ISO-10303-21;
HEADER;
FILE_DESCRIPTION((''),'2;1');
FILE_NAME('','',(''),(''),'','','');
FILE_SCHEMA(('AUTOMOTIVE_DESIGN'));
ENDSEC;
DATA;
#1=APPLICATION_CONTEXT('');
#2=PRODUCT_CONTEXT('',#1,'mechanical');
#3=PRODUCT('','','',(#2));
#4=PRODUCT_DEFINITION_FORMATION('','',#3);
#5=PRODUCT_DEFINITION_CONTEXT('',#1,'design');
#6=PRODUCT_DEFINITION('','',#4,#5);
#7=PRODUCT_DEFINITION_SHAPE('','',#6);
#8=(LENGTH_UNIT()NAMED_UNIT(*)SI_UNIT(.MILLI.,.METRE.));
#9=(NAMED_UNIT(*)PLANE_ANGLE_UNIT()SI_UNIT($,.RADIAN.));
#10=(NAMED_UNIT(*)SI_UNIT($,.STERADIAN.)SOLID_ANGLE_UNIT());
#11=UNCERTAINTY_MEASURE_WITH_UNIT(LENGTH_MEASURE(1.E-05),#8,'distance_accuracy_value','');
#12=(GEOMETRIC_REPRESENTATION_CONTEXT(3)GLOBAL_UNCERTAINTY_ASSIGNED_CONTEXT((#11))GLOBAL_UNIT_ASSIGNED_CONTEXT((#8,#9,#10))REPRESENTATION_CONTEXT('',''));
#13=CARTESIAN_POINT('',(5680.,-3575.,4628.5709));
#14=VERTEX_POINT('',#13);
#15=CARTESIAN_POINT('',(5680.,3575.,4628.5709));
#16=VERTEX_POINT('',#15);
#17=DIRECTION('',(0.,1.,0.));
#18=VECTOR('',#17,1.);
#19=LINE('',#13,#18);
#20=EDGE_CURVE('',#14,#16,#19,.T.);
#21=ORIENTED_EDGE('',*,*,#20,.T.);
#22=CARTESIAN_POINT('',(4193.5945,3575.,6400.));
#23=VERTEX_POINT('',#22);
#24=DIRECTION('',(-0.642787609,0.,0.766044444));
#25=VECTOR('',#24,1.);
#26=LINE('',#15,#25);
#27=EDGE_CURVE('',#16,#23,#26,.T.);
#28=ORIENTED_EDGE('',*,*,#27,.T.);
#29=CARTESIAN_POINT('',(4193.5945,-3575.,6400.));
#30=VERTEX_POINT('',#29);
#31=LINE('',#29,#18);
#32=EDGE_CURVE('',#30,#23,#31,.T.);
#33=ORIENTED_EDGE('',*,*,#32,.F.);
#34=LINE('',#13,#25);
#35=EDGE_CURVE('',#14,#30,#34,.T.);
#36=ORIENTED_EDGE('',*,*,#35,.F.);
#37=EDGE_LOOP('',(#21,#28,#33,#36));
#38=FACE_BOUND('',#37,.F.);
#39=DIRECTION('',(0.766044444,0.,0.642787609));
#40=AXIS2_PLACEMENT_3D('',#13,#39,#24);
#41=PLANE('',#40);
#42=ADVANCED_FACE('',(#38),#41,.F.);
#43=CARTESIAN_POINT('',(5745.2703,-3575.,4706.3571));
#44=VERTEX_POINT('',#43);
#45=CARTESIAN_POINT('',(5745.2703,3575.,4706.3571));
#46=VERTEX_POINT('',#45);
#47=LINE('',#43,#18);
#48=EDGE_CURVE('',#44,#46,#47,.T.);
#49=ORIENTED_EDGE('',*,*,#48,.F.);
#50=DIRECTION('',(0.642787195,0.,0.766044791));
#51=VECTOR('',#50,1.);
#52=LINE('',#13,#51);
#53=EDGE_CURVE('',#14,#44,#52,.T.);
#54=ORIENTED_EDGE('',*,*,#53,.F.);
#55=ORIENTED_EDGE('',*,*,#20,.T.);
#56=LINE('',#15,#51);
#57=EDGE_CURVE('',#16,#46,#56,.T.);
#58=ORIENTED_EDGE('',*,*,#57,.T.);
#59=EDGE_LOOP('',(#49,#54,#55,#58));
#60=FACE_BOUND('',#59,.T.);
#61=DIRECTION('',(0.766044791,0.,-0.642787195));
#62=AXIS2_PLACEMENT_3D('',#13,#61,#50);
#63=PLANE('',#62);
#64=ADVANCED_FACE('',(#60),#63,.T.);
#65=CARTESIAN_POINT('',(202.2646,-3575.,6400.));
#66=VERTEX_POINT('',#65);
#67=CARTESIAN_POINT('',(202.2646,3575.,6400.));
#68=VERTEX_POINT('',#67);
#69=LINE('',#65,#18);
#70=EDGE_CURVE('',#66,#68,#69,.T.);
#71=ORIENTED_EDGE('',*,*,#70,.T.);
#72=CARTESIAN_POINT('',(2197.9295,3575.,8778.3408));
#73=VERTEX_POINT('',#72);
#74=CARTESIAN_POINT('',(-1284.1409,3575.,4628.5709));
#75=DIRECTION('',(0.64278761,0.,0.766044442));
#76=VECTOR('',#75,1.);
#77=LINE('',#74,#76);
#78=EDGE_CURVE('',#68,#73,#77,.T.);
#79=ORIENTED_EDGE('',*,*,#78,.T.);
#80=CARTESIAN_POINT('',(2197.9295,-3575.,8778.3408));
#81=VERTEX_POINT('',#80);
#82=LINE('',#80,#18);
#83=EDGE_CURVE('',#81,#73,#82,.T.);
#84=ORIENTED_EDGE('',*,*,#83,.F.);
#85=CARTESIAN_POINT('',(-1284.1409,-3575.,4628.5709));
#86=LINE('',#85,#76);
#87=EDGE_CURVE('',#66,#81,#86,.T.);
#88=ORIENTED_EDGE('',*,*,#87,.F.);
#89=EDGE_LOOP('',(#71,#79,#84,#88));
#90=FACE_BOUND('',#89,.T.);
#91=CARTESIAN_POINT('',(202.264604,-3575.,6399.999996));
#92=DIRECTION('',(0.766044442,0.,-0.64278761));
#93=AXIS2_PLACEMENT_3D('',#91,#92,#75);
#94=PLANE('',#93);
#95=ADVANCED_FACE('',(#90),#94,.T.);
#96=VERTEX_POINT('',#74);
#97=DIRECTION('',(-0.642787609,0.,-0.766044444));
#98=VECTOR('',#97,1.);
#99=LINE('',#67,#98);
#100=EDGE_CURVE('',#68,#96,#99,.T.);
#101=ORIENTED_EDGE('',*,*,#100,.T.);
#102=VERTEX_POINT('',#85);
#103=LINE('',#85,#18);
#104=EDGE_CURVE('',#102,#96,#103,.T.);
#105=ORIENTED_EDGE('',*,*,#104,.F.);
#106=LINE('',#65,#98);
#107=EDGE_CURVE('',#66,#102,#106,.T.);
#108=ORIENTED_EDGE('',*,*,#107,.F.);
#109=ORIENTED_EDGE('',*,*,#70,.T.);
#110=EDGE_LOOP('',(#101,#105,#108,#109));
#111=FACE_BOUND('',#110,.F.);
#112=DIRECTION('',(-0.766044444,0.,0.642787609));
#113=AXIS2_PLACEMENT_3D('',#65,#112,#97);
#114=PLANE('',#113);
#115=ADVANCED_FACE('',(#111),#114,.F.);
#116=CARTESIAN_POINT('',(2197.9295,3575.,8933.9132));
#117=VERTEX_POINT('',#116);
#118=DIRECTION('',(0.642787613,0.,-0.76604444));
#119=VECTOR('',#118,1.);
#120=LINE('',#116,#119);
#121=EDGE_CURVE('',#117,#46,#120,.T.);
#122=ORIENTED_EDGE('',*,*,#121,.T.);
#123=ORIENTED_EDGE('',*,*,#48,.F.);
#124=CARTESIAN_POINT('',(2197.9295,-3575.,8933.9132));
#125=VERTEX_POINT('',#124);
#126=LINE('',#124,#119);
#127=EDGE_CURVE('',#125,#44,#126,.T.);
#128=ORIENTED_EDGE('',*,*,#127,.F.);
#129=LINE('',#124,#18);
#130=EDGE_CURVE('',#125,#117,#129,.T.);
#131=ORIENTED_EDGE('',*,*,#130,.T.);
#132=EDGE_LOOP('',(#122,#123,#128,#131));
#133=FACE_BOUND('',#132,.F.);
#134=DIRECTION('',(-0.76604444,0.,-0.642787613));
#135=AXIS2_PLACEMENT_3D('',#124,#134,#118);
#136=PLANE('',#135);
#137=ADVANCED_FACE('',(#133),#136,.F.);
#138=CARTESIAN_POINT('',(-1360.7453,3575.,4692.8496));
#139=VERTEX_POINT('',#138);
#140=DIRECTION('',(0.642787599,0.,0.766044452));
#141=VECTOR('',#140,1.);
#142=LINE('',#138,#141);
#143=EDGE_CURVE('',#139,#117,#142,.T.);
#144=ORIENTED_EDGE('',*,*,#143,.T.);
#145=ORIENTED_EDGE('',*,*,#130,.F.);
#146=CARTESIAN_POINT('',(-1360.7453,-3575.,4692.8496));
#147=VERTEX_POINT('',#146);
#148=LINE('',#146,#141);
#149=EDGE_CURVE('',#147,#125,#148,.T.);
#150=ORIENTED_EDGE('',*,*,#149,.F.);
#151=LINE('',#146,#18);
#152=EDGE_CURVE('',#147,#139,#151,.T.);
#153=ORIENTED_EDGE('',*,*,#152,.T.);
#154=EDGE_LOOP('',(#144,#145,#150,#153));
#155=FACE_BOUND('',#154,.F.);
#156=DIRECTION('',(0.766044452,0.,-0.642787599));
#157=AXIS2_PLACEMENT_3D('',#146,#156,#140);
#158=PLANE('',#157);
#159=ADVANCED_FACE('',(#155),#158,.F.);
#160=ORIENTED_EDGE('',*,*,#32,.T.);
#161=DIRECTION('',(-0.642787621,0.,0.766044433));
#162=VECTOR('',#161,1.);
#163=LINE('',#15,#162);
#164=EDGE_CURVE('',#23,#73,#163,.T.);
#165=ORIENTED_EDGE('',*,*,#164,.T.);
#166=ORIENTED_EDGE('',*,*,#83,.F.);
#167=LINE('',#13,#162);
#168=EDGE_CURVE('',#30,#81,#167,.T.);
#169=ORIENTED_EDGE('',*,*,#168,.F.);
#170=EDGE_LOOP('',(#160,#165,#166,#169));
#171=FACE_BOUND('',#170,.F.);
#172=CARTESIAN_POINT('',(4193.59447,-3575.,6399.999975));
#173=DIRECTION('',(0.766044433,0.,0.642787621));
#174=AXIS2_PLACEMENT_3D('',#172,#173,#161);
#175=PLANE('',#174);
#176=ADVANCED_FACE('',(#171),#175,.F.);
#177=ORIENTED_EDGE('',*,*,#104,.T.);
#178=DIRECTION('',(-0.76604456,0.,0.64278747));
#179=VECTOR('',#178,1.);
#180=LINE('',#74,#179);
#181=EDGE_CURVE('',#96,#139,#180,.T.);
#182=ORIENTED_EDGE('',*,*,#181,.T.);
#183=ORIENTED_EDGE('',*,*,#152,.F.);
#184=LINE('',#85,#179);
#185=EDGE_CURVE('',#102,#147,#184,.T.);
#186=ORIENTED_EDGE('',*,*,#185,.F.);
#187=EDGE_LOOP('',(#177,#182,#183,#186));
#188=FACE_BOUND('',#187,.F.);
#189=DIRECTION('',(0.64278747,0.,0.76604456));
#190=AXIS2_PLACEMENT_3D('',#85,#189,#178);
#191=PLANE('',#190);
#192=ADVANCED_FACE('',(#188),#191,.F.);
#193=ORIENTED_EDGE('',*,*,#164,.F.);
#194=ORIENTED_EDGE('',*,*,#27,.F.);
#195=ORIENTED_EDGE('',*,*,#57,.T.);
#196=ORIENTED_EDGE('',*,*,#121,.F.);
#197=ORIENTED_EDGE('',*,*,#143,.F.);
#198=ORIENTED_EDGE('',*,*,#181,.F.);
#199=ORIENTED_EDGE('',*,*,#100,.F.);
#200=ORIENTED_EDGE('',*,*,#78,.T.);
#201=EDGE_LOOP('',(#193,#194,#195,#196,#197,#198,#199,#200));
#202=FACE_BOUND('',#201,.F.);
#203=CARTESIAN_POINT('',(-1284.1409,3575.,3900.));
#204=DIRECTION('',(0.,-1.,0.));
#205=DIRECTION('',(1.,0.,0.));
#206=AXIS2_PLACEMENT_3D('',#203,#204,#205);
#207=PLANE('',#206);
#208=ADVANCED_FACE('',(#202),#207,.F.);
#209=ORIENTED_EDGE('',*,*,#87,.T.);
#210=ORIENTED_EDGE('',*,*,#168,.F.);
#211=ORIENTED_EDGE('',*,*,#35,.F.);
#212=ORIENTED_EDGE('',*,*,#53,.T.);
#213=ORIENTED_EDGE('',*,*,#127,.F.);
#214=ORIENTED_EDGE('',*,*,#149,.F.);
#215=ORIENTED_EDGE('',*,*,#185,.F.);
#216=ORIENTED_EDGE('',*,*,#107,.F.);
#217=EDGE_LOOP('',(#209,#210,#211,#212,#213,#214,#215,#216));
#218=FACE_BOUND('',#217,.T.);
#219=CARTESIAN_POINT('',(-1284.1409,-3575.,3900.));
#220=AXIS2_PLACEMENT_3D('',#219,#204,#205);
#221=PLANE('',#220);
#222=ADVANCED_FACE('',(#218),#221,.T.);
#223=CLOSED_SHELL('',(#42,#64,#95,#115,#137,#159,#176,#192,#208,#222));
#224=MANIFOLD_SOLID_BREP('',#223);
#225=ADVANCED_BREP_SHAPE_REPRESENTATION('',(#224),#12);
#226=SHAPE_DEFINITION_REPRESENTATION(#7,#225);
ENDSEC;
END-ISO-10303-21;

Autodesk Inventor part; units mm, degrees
ref_plane "YZ Plane" through (0, 0, 0) normal (1, 0, 0) x (0, 1, 0)
ref_plane "XZ Plane" through (0, 0, 0) normal (0, 1, 0) x (-1, 0, 0)
ref_plane "Arbeitsebene1" through (-1284.1409, -3575, 3900) normal (0, -1, 0) x (1, 0, 0)
sketch "Skizze1" plane through (-1284.1409, -3575, 3900) normal (0, -1, 0) x (1, 0, 0)
  line L0 (1990.078, 2180) -> (3070.078, 2180) projected
  line L1 (3070.078, 2180) -> (3070.078, 1000) projected
  line L2 (3070.078, 1000) -> (1990.078, 1000) projected
  line L3 (1990.078, 1000) -> (1990.078, 2180) projected
  line L4 (5324.6225, 2180) -> (5324.6225, 1000) projected
  line L5 (5324.6225, 1000) -> (4244.6225, 1000) projected
  line L6 (4244.6225, 1000) -> (4244.6225, 2180) projected
  line L7 (4244.6225, 2180) -> (5324.6225, 2180) projected
  line L8 (1486.4055, 2500) -> (0, 728.5709) projected
  line L9 (0, 0) -> (0, 728.5709) projected
  line L10 (0, 0) -> (6964.1409, 0) projected
  line L11 (6964.1409, 0) -> (6964.1409, 728.5709) projected
  line L12 (6964.1409, 728.5709) -> (5477.7354, 2500) projected
  line L13 (1486.4055, 2500) -> (5477.7354, 2500) projected
  line L14 (0, 728.5709) -> (3482.0704, 4878.3408)
  line L15 (6964.1409, 728.5709) -> (3482.0704, 4878.3408)
  line L16 (-76.6044, 792.8496) -> (3482.0704, 5033.9132)
  line L17 (3482.0704, 5033.9132) -> (7029.4112, 806.3571)
  line L18 (0, 728.5709) -> (-76.6044, 792.8496)
  line L19 (6964.1409, 728.5709) -> (7029.4112, 806.3571)
  dimension "d0" = 100
ref_plane "Arbeitsebene2" through (-1284.1409, 3575, 3900) normal (0, 1, 0) x (0, 0, 1)
extrude "Extrusion1" add sketch "Skizze1" against normal up to surface (7150 mm away) contours L8 L18 L16 L17 L19 L12 L15 L14
properties part number "Haus_Dach"
